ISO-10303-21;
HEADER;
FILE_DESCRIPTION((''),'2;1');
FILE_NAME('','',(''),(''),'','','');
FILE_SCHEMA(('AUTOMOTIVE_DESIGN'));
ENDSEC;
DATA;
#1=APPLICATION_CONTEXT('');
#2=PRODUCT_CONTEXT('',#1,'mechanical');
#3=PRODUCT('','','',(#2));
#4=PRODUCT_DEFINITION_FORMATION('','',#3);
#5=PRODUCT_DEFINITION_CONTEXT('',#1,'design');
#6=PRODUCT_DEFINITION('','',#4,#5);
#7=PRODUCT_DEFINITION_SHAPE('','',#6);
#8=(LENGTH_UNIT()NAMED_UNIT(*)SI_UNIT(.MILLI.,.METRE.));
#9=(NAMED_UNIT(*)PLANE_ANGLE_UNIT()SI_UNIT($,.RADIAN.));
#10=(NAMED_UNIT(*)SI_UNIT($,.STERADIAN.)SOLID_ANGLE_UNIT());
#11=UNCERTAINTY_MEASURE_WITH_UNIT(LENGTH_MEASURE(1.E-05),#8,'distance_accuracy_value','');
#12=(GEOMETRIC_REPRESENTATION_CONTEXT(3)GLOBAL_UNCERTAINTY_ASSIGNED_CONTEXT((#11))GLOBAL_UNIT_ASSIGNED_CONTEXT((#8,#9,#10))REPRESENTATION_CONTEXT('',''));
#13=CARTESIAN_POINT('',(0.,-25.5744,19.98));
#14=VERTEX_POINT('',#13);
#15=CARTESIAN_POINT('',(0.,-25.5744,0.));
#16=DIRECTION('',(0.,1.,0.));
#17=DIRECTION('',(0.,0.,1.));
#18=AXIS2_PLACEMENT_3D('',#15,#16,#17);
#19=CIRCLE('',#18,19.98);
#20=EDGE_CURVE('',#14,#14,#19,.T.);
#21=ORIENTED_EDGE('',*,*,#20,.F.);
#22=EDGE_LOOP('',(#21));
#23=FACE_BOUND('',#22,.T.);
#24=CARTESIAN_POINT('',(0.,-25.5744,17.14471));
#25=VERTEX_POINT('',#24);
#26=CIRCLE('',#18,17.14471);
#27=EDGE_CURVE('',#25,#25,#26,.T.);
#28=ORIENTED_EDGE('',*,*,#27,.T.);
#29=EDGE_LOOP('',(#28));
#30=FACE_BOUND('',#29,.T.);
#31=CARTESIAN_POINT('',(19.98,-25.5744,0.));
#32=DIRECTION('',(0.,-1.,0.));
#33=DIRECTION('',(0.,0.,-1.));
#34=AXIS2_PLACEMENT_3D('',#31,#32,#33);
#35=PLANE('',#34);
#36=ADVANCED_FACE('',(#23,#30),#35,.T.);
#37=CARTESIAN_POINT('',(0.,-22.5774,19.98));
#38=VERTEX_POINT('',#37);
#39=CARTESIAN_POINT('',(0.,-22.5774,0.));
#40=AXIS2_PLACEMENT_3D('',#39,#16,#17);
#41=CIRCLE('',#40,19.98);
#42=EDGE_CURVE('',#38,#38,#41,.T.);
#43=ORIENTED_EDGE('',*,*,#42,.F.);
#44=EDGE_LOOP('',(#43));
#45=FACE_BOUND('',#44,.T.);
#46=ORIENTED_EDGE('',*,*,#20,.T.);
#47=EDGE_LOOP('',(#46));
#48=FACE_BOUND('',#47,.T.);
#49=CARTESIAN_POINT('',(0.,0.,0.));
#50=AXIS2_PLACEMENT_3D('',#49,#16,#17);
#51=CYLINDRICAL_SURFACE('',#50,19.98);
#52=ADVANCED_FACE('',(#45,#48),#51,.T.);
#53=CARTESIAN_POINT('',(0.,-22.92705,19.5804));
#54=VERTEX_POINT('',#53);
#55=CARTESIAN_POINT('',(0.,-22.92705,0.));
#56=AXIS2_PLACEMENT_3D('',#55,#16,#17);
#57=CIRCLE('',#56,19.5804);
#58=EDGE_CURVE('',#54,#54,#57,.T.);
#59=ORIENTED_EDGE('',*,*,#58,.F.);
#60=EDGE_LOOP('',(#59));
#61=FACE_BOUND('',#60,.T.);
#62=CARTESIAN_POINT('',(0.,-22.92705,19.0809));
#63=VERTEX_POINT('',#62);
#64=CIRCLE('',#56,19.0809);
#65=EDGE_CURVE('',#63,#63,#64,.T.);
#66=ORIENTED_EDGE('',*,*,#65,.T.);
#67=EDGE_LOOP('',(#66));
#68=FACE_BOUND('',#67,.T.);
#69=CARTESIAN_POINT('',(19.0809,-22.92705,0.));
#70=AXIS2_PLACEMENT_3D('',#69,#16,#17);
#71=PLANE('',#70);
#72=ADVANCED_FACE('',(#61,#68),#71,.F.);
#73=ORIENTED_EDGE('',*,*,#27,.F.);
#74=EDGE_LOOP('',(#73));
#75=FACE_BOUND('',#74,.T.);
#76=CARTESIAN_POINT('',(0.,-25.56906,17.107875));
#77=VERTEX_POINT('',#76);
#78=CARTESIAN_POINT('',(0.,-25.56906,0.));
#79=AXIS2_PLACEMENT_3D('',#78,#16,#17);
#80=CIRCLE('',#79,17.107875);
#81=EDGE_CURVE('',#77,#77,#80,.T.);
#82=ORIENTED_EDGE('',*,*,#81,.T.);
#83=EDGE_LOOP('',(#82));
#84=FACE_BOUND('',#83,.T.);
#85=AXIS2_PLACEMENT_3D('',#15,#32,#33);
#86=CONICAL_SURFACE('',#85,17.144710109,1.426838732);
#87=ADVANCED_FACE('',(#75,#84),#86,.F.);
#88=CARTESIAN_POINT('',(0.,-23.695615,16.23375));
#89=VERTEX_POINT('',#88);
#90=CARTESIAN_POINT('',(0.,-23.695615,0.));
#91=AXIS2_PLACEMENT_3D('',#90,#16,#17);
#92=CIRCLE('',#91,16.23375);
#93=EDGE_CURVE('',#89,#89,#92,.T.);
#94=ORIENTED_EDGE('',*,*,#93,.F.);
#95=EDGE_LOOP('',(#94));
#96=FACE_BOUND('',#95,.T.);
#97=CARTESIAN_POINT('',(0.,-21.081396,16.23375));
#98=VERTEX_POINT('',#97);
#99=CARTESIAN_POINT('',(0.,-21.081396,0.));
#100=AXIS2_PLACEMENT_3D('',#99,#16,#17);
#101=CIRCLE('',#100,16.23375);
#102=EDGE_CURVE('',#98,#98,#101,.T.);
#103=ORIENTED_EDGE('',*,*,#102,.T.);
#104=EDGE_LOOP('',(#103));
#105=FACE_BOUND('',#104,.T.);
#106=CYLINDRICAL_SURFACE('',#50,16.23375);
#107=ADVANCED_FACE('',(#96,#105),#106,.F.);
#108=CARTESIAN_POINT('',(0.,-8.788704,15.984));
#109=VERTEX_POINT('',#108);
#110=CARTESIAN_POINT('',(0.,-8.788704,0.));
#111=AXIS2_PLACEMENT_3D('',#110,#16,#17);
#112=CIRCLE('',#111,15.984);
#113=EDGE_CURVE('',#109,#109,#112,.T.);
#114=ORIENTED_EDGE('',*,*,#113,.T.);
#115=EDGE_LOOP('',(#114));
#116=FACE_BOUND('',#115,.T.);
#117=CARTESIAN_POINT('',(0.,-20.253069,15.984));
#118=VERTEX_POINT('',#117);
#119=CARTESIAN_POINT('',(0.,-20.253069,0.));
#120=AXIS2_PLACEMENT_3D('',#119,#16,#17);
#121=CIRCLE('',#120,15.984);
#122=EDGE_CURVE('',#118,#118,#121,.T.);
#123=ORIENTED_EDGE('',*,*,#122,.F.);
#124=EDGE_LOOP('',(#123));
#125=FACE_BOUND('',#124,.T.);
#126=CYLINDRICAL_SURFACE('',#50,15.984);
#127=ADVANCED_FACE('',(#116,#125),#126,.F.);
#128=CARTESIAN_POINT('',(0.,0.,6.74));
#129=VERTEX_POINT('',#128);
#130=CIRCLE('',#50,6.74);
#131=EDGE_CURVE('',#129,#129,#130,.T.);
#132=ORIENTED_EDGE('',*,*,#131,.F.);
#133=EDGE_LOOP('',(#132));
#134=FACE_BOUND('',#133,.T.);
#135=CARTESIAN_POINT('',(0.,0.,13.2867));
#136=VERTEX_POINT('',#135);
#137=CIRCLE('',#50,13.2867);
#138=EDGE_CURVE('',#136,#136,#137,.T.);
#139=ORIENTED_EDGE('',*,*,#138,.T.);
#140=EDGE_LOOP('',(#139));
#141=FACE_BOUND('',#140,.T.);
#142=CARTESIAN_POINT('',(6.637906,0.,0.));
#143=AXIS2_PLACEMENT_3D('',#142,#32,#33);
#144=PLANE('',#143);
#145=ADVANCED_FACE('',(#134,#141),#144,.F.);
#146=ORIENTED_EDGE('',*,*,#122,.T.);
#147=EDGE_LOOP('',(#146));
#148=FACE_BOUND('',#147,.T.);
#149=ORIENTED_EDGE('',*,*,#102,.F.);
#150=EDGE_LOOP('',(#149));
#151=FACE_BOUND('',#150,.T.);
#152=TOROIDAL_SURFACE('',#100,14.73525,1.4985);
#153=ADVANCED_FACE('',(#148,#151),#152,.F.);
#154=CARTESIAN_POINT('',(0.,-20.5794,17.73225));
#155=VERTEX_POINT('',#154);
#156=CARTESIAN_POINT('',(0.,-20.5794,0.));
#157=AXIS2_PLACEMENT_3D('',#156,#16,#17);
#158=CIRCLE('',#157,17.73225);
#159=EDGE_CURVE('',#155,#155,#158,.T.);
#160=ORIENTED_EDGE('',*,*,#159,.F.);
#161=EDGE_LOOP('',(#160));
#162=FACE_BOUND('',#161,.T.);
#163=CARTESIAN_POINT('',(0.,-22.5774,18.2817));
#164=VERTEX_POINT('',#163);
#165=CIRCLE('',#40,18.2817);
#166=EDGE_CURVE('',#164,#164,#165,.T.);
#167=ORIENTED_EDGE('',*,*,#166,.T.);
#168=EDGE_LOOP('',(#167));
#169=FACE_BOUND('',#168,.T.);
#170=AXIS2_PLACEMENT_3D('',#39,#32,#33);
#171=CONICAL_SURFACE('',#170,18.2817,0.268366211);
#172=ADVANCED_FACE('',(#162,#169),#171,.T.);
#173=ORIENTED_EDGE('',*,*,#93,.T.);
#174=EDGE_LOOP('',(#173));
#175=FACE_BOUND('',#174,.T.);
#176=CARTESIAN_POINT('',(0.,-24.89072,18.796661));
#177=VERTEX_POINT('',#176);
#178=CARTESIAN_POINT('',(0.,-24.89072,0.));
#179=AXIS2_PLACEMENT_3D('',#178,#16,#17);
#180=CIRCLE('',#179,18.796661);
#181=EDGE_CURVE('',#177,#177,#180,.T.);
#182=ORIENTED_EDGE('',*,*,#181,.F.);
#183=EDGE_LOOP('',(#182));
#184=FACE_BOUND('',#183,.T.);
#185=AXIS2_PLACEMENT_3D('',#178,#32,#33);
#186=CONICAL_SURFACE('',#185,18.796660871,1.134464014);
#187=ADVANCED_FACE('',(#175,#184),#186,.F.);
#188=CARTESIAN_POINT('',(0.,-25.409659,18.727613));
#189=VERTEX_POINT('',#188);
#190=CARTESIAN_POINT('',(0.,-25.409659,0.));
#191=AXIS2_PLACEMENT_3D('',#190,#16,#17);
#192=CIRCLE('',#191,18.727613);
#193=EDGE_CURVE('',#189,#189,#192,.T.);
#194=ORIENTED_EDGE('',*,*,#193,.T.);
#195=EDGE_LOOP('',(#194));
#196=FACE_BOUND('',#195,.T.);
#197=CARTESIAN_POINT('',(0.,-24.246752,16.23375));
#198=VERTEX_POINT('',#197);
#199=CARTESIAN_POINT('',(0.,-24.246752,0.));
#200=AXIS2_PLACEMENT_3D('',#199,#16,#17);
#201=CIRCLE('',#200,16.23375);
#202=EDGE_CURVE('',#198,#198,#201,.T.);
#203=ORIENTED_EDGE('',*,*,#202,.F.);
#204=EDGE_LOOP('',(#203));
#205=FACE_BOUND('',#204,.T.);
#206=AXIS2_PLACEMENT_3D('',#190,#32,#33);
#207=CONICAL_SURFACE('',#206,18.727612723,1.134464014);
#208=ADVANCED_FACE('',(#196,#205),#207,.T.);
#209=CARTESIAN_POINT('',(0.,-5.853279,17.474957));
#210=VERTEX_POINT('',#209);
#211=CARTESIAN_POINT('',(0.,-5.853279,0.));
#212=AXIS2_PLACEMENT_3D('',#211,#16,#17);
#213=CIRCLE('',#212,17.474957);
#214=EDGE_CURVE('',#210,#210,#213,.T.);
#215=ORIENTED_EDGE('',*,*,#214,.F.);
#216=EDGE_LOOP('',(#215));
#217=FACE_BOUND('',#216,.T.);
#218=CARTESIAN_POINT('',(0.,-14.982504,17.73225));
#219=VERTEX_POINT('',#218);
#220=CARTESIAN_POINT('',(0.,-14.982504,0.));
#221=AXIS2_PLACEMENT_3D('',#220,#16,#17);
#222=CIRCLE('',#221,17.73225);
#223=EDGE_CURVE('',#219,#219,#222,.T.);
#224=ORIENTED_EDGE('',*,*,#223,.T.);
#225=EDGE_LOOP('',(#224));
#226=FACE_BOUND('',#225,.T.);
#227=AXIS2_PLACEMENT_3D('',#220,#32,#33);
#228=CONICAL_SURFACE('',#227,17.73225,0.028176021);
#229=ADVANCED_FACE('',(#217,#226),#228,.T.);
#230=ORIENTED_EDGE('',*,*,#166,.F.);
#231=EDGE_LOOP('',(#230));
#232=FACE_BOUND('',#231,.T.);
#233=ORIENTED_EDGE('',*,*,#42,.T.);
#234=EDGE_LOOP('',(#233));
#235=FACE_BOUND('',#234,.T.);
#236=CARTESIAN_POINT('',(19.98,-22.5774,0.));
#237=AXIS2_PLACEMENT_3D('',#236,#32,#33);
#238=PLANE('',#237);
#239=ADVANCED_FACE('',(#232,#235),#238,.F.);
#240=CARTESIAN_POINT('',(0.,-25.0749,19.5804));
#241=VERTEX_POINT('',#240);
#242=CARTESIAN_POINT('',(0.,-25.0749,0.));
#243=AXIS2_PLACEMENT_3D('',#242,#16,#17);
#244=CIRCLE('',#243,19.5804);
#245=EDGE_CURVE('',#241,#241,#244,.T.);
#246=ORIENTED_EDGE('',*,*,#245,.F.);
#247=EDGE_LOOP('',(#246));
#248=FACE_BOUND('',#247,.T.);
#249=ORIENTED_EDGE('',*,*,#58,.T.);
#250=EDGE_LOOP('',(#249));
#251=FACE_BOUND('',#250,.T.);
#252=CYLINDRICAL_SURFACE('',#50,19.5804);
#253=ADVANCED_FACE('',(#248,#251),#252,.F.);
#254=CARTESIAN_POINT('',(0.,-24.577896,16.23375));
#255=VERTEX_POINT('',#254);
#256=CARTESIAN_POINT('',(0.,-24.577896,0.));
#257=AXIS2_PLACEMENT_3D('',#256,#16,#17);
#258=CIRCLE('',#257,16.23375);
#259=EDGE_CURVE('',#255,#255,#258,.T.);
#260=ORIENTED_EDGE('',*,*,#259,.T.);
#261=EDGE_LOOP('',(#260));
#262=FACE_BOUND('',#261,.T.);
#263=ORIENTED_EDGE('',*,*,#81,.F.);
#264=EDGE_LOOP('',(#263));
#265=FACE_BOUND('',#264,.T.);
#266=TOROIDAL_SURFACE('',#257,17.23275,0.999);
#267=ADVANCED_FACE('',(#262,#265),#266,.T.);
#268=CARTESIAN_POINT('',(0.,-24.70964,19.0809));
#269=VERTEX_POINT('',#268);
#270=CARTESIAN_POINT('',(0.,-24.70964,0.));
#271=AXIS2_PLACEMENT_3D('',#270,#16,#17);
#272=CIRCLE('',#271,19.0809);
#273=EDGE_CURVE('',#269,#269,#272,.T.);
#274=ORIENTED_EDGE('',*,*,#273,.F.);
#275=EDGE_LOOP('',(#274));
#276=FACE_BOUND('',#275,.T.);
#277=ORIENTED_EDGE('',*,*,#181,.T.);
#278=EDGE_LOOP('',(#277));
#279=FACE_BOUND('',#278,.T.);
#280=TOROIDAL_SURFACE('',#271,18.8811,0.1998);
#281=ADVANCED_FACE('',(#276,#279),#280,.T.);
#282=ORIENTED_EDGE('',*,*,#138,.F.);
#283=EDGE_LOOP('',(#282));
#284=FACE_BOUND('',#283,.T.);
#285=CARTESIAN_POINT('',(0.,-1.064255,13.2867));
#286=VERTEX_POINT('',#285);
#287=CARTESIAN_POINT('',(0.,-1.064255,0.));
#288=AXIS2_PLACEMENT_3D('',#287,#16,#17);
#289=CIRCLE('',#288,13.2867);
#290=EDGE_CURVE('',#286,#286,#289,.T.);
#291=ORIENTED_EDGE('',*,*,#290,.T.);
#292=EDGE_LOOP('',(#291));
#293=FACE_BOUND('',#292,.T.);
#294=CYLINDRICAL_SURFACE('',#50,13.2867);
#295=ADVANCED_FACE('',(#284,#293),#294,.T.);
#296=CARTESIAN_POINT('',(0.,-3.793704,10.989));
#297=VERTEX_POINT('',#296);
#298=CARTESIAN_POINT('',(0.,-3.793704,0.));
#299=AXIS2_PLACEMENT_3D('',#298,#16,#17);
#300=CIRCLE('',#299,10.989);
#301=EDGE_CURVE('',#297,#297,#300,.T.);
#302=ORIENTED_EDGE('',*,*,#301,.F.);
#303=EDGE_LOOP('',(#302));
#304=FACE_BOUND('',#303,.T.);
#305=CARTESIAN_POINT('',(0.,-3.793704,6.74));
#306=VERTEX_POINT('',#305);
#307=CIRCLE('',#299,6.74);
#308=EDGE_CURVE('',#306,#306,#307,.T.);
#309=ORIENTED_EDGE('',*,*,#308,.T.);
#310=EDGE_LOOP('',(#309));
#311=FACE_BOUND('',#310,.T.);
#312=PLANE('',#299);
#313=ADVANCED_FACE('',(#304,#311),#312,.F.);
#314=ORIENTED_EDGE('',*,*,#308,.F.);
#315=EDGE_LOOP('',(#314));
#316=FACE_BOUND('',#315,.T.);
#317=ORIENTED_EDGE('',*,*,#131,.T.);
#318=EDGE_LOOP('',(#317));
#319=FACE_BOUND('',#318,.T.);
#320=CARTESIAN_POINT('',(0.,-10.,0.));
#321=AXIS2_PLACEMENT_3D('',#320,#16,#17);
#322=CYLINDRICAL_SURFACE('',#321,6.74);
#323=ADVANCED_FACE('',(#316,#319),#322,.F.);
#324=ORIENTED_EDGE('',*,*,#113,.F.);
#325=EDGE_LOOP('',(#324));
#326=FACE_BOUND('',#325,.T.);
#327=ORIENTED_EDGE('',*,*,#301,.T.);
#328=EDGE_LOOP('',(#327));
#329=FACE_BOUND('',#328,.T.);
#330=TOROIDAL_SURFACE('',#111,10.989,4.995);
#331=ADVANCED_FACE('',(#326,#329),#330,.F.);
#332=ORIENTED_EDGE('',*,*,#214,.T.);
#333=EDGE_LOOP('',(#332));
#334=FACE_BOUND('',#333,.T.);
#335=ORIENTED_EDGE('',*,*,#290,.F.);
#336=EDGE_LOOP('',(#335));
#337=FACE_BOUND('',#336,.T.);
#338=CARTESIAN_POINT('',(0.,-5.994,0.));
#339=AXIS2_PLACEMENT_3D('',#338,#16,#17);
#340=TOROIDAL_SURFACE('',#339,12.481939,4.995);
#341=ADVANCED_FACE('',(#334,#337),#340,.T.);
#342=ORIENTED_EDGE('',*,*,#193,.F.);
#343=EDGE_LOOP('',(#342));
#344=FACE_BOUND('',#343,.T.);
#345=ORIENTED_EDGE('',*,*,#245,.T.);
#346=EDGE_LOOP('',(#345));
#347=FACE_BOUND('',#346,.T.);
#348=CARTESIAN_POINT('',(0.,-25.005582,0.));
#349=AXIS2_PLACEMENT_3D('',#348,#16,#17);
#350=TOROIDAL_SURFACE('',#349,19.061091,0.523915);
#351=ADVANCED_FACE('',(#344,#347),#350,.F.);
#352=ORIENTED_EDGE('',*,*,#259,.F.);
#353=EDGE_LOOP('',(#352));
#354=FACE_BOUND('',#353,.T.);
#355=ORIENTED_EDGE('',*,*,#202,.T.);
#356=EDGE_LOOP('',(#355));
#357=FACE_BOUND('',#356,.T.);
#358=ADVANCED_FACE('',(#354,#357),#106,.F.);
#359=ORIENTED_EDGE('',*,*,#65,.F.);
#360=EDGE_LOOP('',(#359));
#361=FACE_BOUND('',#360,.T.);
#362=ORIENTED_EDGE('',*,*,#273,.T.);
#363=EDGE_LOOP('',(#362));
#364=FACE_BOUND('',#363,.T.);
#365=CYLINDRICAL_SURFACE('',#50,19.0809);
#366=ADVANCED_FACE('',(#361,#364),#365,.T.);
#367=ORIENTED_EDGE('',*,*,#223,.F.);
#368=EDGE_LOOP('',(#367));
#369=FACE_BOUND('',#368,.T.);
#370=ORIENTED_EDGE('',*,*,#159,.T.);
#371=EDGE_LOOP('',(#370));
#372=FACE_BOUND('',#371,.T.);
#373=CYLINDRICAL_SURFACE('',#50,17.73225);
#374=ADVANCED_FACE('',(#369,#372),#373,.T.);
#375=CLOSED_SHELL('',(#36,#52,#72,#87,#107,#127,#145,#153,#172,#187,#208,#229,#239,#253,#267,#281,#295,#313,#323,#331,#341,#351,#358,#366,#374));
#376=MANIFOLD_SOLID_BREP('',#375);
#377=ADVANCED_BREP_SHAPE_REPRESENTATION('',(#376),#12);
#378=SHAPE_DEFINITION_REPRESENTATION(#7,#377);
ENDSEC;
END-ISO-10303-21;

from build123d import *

# Parameters (mm, degrees)
IZIM2_R               = 6.74
KES_EKSTR_ZYON2_DEPTH = 10


with BuildPart() as part:
    # Çizim1 → Döndür5 (revolve)
    with BuildSketch(Plane.XY, mode=Mode.PRIVATE) as d_nd_r5_sk:
        with BuildLine():
            Line((0, 0), (0, -3.793704215))
            Line((0, -3.793704215), (10.989, -3.793704215))
            ThreePointArc((10.989, -3.793704215), (14.520998372, -5.256705843), (15.984, -8.788704215))
            Line((15.984, -8.788704215), (15.984, -20.253068743))
            ThreePointArc((15.984, -20.253068743), (16.169954521, -20.648816095), (16.23375, -21.081395785))
            Line((16.23375, -21.081395785), (16.23375, -23.695614881))
            Line((16.23375, -23.695614881), (18.796660871, -24.890719847))
            ThreePointArc((18.796660871, -24.890719847), (18.988452462, -24.878149162), (19.0809, -24.709639551))
            Line((19.0809, -24.709639551), (19.0809, -22.92705))
            Line((19.0809, -22.92705), (19.5804, -22.92705))
            Line((19.5804, -22.92705), (19.5804, -25.0749))
            ThreePointArc((19.5804, -25.0749), (19.252531022, -25.493267644), (18.727612723, -25.409659437))
            Line((18.727612723, -25.409659437), (16.23375, -24.246752151))
            Line((16.23375, -24.246752151), (16.23375, -24.577895785))
            ThreePointArc((16.23375, -24.577895785), (16.4835, -25.238672175), (17.107875, -25.56906037))
            Line((17.107875, -25.56906037), (17.144710109, -25.5744))
            Line((17.144710109, -25.5744), (19.98, -25.5744))
            Line((19.98, -25.5744), (19.98, -22.5774))
            Line((19.98, -22.5774), (18.2817, -22.5774))
            Line((18.2817, -22.5774), (17.73225, -20.5794))
            Line((17.73225, -20.5794), (17.73225, -14.982504215))
            Line((17.73225, -14.982504215), (17.474956676, -5.853279395))
            ThreePointArc((17.474956676, -5.853279395), (16.241892244, -2.705721011), (13.2867, -1.064255059))
            Line((13.2867, -1.064255059), (13.2867, 0))
            Line((13.2867, 0), (6.637906488, 0))
            Line((6.637906488, 0), (0, 0))
        make_face()
    revolve(d_nd_r5_sk.sketch.rotate(Axis((0, 0, 0), (0, -1, 0)), 90), axis=Axis((0, 0, 0), (0, -1, 0)))

    # Çizim2 → Kes-Ekstrüzyon2 (cut)
    with BuildSketch(Plane(origin=(0, 0, 0), x_dir=(1, 0, 0), z_dir=(0, 1, 0))):
        with Locations(Location((0, 0, 0), (0, 0, 270))):
            Circle(IZIM2_R)
    extrude(amount=-KES_EKSTR_ZYON2_DEPTH, mode=Mode.SUBTRACT)


solid = part.part
